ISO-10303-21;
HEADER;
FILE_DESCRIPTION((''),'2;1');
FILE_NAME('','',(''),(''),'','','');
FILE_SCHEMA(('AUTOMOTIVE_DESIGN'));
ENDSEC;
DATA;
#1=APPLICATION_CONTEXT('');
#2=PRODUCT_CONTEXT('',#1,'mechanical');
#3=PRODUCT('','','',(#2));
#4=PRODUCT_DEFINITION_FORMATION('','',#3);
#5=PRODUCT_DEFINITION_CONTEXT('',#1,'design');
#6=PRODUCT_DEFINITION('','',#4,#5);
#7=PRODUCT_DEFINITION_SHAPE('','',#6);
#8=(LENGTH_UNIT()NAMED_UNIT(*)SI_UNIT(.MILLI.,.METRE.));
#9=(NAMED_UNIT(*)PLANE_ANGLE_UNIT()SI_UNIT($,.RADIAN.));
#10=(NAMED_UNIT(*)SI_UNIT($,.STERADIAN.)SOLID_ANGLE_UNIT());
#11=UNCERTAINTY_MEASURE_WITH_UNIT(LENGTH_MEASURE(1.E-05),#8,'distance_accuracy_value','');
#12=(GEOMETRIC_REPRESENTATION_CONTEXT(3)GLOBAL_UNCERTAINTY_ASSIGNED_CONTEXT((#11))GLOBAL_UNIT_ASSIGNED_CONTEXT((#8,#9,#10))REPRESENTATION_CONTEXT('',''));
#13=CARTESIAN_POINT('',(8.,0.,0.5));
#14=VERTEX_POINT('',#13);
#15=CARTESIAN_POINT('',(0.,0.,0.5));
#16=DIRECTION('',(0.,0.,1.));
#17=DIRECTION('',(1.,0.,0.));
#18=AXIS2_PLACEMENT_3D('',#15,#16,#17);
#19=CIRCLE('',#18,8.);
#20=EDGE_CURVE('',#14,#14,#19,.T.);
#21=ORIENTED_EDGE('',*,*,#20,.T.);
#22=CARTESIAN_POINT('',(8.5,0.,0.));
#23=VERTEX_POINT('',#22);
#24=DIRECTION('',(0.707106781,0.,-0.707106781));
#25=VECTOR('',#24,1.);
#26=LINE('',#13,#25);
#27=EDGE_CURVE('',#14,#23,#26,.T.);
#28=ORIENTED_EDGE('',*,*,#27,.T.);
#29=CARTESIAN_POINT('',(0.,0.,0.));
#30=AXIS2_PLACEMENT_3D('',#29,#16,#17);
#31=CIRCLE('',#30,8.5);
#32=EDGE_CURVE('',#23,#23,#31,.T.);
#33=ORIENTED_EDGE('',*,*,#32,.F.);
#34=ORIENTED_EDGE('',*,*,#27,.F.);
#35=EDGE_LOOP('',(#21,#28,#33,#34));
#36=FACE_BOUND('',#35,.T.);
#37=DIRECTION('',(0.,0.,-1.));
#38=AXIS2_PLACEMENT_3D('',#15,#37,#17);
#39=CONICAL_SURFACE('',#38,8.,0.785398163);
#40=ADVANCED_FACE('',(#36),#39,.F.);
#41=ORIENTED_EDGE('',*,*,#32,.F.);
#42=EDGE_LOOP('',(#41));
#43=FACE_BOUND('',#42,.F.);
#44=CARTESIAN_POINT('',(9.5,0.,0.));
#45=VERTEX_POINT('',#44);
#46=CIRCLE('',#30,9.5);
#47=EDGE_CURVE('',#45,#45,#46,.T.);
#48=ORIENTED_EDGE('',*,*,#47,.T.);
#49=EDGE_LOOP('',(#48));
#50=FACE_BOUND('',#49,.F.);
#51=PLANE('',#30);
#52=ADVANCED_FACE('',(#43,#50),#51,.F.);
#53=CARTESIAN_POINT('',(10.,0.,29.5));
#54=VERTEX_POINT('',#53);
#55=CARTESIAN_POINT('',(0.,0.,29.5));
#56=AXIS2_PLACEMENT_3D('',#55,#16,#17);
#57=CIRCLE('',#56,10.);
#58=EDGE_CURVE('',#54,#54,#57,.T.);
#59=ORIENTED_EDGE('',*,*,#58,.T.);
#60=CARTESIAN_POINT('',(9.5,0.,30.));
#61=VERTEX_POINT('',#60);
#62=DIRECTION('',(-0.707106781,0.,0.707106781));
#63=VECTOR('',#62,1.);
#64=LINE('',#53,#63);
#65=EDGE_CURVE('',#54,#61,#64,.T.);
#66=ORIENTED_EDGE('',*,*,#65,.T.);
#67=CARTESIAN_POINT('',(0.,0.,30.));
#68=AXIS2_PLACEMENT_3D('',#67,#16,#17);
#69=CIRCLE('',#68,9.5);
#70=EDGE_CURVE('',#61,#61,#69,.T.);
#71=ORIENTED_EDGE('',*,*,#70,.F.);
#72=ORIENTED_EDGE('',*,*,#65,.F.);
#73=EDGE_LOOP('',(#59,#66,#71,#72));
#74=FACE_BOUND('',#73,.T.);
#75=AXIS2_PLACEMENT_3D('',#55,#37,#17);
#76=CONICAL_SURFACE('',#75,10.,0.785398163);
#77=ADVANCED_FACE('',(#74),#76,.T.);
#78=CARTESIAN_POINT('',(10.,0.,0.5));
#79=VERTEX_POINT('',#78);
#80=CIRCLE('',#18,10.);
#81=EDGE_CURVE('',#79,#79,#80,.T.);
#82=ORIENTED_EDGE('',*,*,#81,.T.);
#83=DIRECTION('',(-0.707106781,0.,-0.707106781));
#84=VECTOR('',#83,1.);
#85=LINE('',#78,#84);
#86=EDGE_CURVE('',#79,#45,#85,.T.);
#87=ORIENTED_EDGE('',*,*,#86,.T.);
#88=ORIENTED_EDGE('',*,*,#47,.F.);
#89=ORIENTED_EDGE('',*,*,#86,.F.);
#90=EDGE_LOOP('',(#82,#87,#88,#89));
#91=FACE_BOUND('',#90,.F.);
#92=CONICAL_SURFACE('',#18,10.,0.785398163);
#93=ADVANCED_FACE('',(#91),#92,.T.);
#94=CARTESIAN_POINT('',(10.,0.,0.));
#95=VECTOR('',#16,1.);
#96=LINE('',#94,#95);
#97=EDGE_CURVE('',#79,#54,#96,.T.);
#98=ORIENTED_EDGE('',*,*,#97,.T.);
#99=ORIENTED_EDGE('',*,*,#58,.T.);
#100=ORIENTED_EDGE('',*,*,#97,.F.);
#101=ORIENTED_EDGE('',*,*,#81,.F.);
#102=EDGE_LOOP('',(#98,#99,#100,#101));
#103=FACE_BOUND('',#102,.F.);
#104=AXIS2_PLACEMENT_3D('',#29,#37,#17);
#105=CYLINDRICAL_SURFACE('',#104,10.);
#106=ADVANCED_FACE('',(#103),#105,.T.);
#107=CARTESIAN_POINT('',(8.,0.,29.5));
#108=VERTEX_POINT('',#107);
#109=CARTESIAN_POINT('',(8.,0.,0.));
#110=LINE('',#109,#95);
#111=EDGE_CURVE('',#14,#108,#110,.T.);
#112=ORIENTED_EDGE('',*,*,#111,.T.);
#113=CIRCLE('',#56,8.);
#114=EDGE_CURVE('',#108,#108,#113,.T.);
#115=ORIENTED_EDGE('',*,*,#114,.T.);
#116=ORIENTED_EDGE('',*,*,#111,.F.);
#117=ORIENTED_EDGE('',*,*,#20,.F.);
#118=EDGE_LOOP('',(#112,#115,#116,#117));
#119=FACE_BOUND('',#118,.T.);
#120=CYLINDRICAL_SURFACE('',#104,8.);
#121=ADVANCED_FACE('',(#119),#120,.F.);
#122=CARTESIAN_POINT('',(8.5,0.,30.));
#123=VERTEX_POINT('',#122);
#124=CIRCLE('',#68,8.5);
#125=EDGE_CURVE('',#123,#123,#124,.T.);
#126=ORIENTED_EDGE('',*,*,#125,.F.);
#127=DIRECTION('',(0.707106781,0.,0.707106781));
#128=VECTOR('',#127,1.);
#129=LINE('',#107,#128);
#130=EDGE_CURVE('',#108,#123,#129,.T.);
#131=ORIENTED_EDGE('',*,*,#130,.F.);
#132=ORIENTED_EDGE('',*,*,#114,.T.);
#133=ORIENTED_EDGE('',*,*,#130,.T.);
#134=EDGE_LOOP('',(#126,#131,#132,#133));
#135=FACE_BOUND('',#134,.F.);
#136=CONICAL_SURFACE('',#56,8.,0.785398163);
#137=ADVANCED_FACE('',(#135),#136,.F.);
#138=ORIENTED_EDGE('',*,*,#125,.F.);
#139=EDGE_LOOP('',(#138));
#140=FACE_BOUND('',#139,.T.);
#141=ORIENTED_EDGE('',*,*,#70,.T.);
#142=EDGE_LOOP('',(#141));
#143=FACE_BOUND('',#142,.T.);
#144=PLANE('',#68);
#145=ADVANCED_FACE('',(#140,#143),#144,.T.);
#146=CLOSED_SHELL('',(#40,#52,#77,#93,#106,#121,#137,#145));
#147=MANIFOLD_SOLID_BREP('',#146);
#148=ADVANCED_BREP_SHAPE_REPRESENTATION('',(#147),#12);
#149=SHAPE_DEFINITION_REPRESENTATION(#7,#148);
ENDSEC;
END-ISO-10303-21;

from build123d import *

# Parameters (mm, degrees)
SKETCH_R     = 10
SKETCH_R_2   = 8
PAD_DEPTH    = 30
CHAMFER_SIZE = 0.5


with BuildPart() as part:
    # Sketch → Pad (new body)
    with BuildSketch(Plane.XY):
        Circle(SKETCH_R)
        Circle(SKETCH_R_2, mode=Mode.SUBTRACT)
    extrude(amount=PAD_DEPTH)

    # Chamfer
    chamfer_edges = [part.edges().sort_by_distance(p)[0] for p in [
        (-10, 0, 30),
        (-8, 0, 30),
        (-10, 0, 0),
        (-8, 0, 0),
    ]]
    chamfer(chamfer_edges, length=CHAMFER_SIZE)


solid = part.part
